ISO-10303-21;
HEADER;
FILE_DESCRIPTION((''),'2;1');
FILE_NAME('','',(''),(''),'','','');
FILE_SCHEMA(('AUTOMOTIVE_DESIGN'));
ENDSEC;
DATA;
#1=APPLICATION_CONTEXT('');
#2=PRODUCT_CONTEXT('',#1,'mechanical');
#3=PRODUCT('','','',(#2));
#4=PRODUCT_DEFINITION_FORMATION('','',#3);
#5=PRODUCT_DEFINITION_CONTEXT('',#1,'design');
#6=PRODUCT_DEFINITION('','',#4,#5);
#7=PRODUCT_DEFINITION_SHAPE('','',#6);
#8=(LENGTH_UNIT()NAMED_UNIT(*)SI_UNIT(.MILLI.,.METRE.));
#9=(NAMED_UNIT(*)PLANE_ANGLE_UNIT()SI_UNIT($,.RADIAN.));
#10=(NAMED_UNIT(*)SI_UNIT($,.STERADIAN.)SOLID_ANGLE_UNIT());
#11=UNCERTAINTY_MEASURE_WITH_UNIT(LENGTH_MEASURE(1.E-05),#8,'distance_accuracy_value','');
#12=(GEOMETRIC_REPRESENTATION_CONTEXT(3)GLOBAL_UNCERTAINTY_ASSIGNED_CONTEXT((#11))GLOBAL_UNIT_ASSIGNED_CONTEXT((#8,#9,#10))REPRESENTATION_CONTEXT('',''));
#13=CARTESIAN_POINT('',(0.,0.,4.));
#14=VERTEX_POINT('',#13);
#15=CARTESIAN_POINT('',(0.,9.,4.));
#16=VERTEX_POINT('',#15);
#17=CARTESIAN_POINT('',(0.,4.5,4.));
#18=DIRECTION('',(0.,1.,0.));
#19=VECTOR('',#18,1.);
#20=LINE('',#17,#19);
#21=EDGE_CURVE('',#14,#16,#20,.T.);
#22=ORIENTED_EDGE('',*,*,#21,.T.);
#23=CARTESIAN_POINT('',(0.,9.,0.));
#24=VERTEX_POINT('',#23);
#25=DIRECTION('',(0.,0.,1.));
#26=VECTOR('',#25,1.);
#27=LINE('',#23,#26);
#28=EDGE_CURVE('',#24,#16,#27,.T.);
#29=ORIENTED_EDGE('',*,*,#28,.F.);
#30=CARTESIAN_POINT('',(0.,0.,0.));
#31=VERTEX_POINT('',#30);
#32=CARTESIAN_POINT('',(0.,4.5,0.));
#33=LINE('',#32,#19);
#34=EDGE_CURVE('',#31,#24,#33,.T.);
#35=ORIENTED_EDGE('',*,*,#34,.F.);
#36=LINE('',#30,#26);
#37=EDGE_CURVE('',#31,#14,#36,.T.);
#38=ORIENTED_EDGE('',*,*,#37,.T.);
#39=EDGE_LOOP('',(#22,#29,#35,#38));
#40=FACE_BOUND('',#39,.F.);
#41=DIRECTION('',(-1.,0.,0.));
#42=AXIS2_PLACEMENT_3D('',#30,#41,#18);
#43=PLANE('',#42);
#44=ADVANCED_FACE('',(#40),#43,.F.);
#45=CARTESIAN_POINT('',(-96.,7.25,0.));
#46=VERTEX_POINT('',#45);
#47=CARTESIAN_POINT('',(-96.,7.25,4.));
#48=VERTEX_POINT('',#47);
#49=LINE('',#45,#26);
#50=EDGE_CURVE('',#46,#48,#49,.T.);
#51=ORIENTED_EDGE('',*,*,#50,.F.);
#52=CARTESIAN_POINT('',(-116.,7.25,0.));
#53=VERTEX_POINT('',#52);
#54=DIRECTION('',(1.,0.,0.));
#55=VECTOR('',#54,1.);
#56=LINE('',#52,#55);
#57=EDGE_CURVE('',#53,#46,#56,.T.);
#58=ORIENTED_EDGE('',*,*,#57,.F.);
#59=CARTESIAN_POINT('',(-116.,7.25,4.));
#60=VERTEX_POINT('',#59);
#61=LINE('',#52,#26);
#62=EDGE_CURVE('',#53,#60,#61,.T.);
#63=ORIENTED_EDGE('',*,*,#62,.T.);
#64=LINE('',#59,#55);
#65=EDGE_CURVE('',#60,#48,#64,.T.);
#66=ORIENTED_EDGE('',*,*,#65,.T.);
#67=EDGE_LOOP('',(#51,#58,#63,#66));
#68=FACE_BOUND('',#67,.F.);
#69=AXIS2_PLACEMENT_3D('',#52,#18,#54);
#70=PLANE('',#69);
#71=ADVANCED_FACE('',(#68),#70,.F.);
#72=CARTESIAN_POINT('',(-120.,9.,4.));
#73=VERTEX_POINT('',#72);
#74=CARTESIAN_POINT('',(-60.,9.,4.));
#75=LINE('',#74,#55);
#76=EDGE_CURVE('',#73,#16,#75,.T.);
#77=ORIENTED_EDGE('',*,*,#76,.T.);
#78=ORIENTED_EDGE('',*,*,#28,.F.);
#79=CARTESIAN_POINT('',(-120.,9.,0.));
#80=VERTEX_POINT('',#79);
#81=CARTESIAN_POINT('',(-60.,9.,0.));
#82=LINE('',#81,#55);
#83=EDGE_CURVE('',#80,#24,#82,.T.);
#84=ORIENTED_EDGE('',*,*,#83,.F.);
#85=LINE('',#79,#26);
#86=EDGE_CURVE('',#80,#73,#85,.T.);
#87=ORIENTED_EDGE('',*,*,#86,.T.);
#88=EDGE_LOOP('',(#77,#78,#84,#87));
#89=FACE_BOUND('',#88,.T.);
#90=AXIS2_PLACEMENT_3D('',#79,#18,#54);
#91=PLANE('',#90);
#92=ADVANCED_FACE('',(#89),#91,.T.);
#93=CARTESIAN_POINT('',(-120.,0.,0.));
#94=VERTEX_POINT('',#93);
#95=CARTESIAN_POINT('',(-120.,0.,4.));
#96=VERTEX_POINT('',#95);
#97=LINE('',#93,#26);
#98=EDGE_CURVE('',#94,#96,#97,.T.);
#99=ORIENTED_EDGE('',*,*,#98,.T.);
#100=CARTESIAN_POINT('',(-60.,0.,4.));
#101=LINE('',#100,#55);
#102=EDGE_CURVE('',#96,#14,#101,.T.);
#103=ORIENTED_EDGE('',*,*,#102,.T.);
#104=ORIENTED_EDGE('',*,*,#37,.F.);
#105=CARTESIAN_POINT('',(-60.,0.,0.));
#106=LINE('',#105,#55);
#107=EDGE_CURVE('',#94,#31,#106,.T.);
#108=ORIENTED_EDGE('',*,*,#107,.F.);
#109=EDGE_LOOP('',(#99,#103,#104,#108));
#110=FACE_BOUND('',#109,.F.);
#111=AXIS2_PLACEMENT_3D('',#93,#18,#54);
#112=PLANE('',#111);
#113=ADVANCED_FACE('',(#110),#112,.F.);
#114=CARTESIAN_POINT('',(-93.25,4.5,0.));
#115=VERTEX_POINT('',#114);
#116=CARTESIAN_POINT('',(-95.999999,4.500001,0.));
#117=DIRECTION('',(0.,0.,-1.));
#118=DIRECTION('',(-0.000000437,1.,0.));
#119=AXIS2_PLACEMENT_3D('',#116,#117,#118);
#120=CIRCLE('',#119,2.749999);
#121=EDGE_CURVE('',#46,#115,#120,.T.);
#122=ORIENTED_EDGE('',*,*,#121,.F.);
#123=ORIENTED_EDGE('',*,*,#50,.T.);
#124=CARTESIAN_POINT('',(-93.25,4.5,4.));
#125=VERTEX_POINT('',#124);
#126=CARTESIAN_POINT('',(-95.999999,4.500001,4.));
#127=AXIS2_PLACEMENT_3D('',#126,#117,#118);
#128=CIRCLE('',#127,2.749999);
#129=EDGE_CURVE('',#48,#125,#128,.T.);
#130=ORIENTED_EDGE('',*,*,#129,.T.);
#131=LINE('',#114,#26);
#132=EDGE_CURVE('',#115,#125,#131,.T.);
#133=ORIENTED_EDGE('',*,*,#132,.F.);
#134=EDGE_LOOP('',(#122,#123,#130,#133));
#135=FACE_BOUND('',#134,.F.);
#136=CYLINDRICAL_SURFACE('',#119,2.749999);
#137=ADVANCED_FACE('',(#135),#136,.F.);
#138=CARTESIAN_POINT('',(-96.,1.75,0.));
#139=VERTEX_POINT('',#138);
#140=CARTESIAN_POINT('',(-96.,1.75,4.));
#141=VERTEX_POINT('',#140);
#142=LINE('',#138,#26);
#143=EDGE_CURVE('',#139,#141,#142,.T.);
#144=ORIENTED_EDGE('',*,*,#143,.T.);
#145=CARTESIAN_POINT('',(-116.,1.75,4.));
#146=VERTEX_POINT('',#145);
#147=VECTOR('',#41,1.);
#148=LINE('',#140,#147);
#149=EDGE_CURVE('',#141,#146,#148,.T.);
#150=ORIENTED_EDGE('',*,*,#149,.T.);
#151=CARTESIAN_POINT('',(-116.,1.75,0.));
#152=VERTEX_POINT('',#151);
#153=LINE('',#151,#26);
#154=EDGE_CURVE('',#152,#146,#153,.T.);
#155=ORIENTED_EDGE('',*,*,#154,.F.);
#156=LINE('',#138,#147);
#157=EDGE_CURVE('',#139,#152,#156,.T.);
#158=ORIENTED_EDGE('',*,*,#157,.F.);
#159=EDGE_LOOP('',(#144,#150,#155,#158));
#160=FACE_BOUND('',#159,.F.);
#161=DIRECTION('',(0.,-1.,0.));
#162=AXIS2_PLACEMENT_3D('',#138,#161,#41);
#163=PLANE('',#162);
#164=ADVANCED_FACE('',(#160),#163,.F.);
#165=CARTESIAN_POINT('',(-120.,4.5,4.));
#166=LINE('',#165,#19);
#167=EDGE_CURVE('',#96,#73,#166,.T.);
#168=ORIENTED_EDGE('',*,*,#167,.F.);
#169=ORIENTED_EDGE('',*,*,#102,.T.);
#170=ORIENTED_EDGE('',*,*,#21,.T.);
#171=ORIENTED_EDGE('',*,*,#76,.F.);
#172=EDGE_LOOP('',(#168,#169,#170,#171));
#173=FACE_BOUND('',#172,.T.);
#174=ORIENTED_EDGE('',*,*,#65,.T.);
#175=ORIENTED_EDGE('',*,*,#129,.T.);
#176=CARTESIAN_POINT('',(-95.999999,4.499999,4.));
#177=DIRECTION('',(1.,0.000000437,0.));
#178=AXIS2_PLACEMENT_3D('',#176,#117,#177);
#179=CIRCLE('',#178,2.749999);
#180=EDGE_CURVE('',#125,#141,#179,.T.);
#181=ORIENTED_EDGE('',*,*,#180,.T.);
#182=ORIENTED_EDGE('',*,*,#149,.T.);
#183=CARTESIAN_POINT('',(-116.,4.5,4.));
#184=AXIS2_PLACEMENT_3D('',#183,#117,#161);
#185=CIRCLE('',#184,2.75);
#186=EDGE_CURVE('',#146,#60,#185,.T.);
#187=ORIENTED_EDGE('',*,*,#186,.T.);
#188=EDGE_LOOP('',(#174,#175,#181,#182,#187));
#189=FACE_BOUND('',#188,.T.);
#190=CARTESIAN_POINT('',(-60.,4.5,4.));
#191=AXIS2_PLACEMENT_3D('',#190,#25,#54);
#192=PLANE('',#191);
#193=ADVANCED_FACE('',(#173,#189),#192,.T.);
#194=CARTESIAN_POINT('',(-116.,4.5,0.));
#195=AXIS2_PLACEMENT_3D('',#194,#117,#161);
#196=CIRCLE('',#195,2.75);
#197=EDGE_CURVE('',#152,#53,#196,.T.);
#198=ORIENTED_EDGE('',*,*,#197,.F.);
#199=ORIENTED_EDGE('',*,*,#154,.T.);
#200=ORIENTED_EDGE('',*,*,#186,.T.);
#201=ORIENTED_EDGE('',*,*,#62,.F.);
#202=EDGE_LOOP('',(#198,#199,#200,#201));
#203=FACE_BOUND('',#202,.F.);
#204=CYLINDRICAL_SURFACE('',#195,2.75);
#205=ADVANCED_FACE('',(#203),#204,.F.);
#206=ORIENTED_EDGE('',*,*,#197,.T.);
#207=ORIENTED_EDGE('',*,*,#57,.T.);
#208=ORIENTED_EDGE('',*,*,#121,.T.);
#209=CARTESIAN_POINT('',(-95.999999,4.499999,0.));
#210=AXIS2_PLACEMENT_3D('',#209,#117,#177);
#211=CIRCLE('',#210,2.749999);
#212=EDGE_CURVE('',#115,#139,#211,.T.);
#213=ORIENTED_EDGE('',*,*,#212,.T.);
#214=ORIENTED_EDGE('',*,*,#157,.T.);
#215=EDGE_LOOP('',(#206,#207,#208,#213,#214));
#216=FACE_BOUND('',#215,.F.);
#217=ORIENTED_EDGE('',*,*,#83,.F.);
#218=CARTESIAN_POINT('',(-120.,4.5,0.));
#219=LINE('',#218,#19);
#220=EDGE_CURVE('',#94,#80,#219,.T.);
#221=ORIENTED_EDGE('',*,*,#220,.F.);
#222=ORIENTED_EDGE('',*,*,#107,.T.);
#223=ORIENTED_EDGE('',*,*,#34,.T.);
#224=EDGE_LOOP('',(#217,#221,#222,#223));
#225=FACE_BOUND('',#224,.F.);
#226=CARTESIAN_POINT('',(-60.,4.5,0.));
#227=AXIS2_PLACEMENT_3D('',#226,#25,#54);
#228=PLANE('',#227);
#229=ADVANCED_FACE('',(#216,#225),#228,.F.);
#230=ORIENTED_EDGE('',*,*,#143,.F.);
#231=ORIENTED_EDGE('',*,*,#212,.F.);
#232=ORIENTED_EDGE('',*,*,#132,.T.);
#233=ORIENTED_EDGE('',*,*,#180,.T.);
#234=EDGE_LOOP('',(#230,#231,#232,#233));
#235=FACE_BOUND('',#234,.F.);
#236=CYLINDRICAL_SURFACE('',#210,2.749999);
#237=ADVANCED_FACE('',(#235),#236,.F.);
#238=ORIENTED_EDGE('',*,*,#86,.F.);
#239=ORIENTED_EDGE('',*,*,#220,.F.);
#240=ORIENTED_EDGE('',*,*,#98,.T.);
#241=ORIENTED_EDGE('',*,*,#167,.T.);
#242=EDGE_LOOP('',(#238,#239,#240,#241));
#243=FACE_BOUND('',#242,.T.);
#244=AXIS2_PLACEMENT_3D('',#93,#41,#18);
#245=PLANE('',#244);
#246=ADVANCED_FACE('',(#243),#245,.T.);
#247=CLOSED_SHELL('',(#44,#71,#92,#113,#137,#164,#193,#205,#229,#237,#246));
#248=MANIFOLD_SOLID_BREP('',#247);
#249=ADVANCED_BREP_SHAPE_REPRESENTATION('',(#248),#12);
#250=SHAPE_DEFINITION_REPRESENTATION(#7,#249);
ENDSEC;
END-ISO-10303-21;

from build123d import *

# Parameters (mm, degrees)
F0_W     = 120
F0_H     = 9
F1_DEPTH = 4


with BuildPart() as f1:
    # F0 (on Top) → F1 (new body)
    with BuildSketch(Plane.XY):
        with Locations((-60, 4.5)):
            Rectangle(F0_W, F0_H)
        with BuildLine():
            ThreePointArc((-116, 1.75), (-118.75, 4.5), (-116, 7.25))
            Line((-116, 7.25), (-96, 7.25))
            ThreePointArc((-96, 7.25), (-94.055456, 6.444544), (-93.25, 4.5))
            ThreePointArc((-93.25, 4.5), (-94.055456, 2.555456), (-96, 1.75))
            Line((-96, 1.75), (-116, 1.75))
        make_face(mode=Mode.SUBTRACT)
    extrude(amount=F1_DEPTH)


solid = f1.part
